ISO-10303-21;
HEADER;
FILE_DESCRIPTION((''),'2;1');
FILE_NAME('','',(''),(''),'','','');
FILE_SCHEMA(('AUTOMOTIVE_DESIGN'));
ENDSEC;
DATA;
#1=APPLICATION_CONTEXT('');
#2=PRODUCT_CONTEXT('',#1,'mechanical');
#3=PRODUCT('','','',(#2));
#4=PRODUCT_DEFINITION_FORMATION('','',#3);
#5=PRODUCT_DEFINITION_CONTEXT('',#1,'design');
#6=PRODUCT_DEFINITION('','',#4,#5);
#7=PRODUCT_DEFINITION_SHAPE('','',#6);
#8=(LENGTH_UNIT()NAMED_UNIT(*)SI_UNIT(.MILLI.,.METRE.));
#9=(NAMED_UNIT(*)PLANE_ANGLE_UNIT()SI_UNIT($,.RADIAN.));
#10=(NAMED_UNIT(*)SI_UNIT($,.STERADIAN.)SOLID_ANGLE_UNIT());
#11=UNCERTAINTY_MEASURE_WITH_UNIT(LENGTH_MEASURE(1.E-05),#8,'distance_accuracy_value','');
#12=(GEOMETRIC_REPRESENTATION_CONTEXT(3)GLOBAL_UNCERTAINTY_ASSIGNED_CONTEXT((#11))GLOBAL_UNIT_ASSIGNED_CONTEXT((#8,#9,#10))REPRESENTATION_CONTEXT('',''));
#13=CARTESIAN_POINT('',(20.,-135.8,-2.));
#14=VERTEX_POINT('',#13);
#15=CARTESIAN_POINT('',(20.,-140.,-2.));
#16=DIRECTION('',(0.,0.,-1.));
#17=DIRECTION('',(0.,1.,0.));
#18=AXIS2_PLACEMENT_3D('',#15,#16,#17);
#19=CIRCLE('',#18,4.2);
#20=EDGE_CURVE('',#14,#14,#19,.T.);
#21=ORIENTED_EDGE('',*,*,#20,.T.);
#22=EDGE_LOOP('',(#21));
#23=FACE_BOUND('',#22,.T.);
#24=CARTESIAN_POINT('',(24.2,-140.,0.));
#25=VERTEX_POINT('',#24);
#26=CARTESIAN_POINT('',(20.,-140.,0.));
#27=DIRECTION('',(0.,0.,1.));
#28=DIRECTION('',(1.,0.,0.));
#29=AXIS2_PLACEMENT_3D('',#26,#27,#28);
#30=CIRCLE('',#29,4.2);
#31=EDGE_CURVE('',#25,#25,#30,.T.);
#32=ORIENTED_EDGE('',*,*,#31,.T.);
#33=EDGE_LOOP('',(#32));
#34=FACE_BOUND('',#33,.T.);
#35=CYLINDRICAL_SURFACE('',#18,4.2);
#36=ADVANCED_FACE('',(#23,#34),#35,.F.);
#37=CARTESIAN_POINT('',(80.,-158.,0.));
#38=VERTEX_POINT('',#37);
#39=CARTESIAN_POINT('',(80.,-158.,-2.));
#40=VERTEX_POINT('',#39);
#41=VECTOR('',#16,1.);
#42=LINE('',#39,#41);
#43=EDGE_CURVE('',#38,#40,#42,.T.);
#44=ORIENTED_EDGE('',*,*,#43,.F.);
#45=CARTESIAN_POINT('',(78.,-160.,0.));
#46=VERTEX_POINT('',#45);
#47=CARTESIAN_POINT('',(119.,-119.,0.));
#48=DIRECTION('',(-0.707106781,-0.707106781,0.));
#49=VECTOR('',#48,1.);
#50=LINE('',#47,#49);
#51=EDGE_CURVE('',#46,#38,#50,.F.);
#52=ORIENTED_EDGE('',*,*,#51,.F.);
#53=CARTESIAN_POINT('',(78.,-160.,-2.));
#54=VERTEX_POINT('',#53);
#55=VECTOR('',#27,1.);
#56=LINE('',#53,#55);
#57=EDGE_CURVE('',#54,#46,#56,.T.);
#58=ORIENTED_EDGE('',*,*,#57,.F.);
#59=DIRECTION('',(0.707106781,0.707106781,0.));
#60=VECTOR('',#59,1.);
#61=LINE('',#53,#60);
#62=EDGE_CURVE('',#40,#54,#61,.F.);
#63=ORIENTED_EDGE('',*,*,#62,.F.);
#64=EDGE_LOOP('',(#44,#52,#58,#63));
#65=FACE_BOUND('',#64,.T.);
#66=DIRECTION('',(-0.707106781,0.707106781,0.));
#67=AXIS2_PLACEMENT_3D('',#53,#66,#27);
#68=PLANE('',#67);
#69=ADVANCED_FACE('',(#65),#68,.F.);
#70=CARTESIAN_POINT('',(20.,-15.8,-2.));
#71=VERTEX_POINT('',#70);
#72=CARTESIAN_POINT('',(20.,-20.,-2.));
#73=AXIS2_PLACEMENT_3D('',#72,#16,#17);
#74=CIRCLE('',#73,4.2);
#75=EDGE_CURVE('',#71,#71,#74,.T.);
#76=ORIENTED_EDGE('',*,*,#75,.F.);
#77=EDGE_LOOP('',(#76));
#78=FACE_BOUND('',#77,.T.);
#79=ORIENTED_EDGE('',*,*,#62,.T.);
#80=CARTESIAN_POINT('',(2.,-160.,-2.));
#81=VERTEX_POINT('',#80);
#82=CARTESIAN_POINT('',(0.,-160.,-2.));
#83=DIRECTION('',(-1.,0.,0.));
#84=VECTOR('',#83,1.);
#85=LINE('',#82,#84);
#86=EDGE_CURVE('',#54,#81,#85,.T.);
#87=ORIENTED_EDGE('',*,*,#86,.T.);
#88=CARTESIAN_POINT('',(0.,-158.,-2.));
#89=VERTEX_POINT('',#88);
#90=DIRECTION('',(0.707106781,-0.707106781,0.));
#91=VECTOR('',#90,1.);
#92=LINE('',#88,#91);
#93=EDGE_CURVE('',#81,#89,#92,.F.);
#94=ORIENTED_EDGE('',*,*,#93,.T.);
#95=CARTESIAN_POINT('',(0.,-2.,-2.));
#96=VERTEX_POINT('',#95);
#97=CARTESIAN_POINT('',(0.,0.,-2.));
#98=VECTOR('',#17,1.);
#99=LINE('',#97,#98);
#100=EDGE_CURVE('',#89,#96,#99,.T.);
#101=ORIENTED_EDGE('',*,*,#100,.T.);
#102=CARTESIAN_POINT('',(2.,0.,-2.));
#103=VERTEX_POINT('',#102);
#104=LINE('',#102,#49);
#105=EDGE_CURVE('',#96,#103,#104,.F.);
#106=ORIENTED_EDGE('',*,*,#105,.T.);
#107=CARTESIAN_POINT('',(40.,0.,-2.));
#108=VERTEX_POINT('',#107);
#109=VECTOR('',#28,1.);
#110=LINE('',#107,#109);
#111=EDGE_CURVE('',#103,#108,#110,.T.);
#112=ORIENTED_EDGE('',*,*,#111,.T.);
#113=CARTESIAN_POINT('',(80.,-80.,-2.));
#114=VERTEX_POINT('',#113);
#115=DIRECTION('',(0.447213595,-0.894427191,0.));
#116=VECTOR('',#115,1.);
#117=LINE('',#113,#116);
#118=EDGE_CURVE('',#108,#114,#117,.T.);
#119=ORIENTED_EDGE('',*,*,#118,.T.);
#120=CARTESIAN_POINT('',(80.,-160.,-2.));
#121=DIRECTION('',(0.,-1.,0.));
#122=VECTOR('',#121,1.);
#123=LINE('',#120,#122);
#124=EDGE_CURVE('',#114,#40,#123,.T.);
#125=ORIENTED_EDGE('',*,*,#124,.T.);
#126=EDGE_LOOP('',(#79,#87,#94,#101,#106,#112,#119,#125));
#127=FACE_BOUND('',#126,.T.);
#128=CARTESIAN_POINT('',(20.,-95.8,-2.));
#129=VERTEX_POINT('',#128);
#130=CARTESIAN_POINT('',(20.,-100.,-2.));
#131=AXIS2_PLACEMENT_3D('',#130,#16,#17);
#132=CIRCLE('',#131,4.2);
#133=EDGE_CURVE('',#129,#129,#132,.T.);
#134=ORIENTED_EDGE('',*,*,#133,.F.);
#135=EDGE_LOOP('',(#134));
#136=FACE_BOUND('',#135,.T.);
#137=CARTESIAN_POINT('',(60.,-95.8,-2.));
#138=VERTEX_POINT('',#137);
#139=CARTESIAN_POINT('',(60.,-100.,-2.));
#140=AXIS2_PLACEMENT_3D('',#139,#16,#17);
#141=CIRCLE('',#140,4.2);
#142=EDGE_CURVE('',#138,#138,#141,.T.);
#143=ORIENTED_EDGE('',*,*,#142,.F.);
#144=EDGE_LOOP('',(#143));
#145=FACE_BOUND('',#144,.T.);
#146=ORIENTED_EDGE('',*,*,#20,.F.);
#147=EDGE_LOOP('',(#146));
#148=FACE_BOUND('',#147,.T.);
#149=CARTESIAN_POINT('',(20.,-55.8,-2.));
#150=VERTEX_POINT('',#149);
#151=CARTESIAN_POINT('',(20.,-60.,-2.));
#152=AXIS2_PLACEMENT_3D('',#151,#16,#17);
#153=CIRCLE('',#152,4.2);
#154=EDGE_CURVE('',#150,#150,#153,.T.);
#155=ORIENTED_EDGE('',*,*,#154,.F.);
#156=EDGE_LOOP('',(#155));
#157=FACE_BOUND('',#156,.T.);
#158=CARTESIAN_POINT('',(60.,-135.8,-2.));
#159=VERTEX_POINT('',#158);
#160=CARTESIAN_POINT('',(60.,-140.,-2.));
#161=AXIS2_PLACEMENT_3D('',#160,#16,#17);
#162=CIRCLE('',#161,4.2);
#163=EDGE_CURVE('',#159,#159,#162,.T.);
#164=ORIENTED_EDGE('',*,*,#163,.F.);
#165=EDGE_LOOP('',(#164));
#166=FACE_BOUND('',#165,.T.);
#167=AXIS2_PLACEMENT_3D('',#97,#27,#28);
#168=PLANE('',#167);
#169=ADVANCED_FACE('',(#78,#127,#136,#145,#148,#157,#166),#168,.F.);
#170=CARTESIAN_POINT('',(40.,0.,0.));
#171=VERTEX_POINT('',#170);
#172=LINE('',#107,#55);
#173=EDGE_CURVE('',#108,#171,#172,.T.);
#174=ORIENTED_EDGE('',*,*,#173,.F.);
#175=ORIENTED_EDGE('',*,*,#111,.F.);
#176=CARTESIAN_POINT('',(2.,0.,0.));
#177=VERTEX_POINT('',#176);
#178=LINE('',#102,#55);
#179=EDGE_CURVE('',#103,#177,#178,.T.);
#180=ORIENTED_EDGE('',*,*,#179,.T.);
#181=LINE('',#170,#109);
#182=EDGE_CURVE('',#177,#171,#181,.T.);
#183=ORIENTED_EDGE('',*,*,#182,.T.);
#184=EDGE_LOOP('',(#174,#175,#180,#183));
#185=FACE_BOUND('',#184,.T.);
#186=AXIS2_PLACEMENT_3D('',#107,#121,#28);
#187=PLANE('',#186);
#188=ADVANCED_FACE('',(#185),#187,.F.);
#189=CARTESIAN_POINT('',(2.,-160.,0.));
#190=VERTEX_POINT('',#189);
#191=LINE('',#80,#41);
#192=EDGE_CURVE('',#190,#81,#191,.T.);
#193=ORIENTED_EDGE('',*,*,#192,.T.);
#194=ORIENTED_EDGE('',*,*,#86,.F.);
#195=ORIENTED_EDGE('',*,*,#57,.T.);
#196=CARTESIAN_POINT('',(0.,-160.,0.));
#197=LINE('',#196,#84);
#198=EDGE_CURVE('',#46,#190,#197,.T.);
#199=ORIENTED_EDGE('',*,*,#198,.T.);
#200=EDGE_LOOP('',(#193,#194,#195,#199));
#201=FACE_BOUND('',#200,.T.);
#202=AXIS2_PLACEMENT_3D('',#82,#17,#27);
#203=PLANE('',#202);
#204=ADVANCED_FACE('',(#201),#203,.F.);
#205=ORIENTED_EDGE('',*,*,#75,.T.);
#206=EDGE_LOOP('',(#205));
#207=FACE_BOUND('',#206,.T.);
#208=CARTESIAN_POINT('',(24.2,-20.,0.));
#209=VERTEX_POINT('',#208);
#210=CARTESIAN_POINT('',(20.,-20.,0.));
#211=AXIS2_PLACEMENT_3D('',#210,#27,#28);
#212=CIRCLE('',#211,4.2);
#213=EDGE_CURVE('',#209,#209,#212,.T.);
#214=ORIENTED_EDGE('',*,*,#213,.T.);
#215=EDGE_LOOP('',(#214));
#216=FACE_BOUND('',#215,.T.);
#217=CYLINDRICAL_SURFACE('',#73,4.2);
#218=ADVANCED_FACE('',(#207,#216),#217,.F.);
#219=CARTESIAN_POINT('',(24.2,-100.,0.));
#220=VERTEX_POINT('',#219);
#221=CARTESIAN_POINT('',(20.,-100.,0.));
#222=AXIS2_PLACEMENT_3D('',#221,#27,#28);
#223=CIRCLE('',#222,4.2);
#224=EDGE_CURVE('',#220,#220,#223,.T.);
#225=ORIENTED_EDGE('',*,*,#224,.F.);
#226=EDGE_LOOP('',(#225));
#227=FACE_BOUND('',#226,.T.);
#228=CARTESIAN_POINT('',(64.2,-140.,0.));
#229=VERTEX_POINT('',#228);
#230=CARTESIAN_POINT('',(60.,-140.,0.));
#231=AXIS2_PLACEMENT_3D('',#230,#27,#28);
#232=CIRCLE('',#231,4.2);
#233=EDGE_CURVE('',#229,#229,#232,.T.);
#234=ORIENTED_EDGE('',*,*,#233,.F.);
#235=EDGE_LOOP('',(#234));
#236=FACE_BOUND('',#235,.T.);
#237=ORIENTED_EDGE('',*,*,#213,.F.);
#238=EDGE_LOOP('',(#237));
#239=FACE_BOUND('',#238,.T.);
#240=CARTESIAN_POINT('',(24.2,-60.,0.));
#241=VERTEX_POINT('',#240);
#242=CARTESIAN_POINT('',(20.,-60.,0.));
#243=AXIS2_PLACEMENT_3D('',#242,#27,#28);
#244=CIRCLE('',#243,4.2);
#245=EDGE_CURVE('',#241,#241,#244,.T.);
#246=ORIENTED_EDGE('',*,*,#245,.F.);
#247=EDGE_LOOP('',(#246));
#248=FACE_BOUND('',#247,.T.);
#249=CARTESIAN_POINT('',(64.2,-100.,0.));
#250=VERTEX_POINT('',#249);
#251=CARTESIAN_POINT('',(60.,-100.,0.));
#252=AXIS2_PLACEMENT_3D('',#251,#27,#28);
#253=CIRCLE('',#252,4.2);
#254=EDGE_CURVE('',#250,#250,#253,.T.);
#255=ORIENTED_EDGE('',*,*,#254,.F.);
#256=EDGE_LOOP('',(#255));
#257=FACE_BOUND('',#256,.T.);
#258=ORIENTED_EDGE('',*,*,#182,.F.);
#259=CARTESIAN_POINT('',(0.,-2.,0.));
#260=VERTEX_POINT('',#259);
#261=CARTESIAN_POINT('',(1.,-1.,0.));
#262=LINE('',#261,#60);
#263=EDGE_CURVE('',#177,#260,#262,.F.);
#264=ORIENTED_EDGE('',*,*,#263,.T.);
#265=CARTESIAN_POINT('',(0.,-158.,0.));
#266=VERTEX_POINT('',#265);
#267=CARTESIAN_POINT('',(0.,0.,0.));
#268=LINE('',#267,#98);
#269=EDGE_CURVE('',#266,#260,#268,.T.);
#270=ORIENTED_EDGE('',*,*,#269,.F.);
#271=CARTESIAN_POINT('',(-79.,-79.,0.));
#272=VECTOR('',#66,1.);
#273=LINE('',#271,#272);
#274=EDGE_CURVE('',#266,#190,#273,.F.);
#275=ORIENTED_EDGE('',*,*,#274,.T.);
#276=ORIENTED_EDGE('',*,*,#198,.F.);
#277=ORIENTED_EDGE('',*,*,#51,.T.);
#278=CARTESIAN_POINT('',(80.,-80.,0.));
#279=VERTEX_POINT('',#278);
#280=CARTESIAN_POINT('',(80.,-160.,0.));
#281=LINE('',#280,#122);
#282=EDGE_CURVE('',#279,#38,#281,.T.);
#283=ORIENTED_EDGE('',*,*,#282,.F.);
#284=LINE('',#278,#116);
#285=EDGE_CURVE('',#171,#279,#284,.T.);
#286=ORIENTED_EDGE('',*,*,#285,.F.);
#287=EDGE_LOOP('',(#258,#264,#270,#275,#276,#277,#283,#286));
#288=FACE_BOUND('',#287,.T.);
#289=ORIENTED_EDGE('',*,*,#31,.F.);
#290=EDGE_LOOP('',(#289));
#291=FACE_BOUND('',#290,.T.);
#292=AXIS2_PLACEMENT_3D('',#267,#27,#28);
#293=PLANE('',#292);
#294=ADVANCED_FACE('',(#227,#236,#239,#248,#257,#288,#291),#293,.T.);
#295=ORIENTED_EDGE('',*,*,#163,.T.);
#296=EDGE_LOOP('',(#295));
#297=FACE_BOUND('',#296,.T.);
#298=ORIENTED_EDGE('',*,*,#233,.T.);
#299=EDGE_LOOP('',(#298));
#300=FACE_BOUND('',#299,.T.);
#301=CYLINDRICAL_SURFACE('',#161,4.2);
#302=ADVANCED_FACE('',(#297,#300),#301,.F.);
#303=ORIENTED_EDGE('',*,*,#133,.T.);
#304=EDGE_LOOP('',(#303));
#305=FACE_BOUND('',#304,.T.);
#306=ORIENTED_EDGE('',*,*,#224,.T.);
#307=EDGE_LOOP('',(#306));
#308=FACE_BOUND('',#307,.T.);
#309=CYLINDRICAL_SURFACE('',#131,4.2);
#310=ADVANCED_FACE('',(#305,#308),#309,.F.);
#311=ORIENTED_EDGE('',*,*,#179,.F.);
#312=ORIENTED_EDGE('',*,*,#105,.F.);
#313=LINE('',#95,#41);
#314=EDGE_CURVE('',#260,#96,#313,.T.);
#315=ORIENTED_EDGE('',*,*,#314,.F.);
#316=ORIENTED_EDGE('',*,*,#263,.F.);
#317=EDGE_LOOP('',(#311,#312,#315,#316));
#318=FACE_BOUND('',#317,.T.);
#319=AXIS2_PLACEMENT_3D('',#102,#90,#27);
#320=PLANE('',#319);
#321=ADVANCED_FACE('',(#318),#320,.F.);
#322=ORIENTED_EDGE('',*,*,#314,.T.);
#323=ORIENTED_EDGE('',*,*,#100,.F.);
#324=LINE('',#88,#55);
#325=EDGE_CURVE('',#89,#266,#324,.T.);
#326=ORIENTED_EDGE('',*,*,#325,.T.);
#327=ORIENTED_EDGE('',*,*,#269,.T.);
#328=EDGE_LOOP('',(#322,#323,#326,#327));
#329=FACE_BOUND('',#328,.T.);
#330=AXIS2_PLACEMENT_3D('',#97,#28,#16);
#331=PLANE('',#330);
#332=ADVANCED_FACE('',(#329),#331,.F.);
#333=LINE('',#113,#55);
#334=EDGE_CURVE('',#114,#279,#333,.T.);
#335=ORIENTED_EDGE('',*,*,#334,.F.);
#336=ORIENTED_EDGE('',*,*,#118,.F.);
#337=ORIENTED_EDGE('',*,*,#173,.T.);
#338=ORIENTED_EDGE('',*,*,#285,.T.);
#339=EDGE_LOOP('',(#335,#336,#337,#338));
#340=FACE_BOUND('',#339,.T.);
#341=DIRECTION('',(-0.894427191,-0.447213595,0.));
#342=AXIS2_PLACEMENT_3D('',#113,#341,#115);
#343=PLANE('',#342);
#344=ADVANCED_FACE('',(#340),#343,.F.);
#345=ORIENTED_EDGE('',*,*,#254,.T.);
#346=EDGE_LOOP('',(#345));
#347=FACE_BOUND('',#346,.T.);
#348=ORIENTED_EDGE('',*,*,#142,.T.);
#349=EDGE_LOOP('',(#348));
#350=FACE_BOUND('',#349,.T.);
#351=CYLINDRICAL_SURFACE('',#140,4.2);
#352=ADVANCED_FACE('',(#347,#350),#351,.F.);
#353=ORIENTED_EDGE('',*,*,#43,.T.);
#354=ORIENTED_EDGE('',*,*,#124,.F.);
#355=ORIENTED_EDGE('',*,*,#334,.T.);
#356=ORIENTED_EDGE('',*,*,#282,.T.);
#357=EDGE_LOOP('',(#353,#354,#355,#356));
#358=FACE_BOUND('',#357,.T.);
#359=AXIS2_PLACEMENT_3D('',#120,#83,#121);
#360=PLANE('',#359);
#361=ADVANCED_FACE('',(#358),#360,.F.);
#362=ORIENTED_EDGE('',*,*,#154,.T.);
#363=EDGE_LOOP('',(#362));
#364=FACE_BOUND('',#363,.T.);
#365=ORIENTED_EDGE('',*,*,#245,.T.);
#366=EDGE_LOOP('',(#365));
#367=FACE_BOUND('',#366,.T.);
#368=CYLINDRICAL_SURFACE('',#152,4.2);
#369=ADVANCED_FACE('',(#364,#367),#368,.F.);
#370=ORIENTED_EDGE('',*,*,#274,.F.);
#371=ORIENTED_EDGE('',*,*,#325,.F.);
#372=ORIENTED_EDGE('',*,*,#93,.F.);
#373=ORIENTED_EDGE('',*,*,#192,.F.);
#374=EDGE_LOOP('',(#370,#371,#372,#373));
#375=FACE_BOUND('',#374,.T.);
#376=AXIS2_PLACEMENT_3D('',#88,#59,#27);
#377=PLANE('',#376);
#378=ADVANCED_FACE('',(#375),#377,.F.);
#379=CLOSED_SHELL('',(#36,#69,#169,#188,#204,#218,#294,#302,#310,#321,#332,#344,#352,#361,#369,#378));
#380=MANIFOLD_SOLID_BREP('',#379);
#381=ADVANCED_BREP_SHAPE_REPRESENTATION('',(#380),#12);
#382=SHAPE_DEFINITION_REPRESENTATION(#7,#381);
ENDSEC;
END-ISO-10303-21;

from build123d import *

# Parameters (mm, degrees)
EXTRUDE_1_DEPTH       = 2
HOLE_WIZARD_M81_D     = 8.4
HOLE_WIZARD_M81_DEPTH = 2
CHAMFER_1_SIZE        = 2


with BuildPart() as part:
    # Эскиз1 → Бобышка-Вытянуть1 (new body)
    with BuildSketch(Plane(origin=(0, 0, 0), x_dir=(1, 0, 0), z_dir=(0, 0, -1))):
        Polygon((0, 0), (0, 160), (80, 160), (80, 80), (40, 0), align=None)
    extrude(amount=EXTRUDE_1_DEPTH)

    # Отверстие с зазором M81
    with Locations(Plane(origin=(0, 0, -2), x_dir=(1, 0, 0), z_dir=(0, 0, -1))):
        with Locations((20, 140), (20, 100), (20, 60), (20, 20), (60, 140), (60, 100)):
            Hole(HOLE_WIZARD_M81_D / 2, depth=HOLE_WIZARD_M81_DEPTH)

    # Фаска1
    chamfer_1_edges = [part.edges().sort_by_distance(p)[0] for p in [
        (0, 0, -1),
        (0, -160, -1),
        (80, -160, -1),
    ]]
    chamfer(chamfer_1_edges, length=CHAMFER_1_SIZE)


solid = part.part
